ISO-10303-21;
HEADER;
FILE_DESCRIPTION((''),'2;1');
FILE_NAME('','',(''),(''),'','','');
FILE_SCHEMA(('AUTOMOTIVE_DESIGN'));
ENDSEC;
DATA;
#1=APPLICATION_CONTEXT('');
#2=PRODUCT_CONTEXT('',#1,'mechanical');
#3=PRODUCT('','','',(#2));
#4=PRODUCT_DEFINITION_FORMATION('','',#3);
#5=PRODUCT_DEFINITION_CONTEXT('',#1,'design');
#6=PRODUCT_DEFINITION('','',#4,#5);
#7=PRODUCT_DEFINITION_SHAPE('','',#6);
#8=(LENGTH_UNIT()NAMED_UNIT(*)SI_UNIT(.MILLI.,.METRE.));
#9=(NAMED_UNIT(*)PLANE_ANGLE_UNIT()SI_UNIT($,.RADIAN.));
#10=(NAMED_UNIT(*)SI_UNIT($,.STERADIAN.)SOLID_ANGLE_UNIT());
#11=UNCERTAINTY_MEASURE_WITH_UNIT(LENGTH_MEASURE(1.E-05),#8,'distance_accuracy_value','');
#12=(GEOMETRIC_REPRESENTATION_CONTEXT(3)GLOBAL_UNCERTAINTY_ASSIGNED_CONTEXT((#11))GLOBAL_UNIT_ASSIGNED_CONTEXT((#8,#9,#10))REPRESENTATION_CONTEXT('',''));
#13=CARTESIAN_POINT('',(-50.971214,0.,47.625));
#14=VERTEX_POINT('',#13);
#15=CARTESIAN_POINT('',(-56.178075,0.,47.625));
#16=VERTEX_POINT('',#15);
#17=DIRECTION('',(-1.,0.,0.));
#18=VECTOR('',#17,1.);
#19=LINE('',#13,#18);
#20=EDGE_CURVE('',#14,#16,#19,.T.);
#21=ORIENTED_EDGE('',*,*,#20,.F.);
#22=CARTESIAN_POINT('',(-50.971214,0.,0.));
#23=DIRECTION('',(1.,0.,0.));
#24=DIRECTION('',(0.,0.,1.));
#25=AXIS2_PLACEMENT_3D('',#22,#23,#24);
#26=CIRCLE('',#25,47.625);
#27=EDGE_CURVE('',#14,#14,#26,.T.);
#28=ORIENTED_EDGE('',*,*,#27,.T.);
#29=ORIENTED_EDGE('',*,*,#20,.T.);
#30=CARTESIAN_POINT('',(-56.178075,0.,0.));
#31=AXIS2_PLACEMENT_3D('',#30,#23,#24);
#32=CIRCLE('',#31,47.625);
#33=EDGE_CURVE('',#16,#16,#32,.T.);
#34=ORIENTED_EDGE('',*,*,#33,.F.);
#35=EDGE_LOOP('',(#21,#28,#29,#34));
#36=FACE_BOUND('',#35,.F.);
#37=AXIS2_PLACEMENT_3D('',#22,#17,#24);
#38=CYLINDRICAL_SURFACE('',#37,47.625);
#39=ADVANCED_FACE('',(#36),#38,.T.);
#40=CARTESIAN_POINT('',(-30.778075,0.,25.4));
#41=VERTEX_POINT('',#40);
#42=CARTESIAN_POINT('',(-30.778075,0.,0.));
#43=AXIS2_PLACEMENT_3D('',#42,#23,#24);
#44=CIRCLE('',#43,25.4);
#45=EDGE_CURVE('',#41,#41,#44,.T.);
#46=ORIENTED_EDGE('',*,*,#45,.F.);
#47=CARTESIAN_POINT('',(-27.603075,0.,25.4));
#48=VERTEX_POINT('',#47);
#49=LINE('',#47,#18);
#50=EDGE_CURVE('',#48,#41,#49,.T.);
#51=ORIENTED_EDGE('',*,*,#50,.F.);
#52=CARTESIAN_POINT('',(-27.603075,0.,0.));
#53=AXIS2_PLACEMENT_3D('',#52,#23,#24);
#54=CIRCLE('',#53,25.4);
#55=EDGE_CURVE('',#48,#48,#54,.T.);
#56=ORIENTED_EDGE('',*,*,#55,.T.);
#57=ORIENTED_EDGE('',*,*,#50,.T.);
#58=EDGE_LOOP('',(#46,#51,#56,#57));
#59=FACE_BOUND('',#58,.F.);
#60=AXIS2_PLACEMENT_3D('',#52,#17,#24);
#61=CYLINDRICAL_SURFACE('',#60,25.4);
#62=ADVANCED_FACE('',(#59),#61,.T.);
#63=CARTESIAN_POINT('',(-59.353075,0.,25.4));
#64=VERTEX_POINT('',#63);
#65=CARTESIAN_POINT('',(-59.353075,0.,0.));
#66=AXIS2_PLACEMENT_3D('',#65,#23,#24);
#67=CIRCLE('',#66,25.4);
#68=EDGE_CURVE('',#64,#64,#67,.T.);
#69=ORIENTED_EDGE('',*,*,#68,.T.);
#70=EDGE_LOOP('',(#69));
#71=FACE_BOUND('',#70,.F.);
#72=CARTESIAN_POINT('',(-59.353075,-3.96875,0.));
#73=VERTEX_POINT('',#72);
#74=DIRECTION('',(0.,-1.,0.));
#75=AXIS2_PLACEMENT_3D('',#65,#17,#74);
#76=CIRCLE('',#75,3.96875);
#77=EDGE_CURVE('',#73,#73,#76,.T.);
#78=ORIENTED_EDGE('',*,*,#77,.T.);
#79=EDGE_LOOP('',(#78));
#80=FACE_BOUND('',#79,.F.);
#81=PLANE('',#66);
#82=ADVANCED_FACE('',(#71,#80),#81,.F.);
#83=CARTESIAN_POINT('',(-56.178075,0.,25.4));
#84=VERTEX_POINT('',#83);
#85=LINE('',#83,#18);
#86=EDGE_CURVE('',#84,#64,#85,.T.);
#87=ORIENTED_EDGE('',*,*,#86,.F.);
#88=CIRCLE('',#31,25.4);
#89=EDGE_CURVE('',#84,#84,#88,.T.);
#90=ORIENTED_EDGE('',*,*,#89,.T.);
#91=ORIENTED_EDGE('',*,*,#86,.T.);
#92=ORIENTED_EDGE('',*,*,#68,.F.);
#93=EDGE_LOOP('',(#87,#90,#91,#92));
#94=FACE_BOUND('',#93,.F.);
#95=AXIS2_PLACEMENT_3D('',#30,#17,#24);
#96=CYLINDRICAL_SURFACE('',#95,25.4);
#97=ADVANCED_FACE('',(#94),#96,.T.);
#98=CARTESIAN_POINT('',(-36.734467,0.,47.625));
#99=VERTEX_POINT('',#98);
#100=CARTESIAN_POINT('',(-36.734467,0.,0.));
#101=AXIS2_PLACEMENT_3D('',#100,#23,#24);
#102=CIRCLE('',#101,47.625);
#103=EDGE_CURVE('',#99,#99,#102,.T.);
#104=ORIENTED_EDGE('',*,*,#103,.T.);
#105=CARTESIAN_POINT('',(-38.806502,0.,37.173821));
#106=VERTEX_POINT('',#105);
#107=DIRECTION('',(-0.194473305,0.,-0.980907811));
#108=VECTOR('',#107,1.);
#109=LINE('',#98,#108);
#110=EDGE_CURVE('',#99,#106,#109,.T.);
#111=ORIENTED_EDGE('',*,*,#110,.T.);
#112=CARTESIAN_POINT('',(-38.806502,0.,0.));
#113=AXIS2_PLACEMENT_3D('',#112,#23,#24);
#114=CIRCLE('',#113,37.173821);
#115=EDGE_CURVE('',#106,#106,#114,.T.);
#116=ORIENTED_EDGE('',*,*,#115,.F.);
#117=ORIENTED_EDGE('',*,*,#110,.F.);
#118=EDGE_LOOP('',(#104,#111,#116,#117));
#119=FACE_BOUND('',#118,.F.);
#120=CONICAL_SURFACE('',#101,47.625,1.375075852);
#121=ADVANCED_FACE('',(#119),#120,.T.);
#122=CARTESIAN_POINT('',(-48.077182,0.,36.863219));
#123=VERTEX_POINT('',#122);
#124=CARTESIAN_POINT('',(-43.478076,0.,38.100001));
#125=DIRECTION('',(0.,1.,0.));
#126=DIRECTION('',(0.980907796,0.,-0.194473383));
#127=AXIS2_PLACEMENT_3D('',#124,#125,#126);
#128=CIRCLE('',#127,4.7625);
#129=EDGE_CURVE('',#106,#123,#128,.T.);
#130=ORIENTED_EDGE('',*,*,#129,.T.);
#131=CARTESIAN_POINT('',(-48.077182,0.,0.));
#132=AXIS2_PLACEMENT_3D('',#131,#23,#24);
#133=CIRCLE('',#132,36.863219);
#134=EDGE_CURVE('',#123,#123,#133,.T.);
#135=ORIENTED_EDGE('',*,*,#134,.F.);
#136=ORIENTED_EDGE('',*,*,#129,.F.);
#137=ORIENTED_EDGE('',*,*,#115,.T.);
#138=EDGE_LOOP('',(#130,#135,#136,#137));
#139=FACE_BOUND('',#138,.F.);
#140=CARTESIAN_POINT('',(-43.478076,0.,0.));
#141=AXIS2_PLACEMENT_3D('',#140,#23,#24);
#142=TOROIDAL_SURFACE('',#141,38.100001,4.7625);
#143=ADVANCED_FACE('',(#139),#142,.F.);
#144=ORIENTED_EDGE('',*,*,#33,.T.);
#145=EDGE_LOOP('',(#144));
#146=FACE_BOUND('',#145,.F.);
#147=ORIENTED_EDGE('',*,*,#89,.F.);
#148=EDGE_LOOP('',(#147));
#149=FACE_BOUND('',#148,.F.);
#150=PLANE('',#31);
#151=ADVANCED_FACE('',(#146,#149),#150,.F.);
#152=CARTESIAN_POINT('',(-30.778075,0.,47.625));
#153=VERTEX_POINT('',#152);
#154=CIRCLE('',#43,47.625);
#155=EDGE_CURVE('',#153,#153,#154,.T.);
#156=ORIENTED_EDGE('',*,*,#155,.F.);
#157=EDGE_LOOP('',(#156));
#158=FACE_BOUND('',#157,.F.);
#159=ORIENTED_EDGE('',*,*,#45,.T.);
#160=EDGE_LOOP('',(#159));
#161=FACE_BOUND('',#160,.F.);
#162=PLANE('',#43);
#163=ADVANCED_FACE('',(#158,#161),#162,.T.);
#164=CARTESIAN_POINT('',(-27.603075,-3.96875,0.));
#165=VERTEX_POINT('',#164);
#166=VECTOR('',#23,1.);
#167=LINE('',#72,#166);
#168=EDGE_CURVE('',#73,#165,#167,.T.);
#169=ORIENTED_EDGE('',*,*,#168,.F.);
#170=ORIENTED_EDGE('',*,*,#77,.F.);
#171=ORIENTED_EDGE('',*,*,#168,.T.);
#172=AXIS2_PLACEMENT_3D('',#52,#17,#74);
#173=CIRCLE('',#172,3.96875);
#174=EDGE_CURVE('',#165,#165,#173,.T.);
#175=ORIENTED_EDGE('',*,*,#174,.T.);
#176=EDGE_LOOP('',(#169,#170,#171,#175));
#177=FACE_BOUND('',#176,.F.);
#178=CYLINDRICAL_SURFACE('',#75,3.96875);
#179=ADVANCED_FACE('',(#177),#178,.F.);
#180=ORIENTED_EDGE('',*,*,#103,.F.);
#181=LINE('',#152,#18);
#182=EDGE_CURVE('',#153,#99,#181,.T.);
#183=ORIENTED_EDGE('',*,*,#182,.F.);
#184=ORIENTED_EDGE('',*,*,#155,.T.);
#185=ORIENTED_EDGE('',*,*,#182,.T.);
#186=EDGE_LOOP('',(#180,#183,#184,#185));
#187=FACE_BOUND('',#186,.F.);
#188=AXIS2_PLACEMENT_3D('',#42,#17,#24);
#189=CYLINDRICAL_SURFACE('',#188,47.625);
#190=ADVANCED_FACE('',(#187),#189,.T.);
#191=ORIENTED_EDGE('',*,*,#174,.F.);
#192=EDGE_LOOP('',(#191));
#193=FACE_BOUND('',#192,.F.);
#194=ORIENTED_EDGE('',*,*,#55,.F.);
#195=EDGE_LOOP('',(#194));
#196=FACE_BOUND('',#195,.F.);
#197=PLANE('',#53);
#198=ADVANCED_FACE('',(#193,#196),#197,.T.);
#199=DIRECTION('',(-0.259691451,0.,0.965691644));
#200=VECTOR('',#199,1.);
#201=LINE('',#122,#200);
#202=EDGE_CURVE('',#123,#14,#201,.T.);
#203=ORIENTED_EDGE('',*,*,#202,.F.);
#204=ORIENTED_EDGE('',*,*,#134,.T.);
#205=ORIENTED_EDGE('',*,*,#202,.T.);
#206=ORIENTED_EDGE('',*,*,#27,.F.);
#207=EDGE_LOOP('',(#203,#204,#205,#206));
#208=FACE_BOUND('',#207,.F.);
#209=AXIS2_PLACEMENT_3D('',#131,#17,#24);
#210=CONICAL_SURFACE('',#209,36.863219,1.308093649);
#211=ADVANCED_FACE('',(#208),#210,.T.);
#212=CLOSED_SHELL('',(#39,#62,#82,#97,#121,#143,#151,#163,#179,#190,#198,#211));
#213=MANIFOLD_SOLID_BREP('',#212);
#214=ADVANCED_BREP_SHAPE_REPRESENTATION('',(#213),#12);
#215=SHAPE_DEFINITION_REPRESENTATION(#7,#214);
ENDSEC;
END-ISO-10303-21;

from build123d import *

# Parameters (mm, degrees)
F2_R     = 3.96875
F3_DEPTH = 31.751


with BuildPart() as f1:
    # F0 (on Front) → F1 (revolve)
    with BuildSketch(Plane.XZ):
        with BuildLine():
            Line((-59.353075, 25.4), (-59.353075, 0))
            Line((-59.353075, 0), (-27.603075, 0))
            Line((-27.603075, 0), (-27.603075, 25.4))
            Line((-27.603075, 25.4), (-30.778075, 25.4))
            Line((-30.778075, 25.4), (-30.778075, 47.625))
            Line((-30.778075, 47.625), (-36.734467, 47.625))
            Line((-36.734467, 47.625), (-38.806502, 37.173821))
            ThreePointArc((-38.806502, 37.173821), (-43.318604, 33.340171), (-48.077182, 36.863219))
            Line((-48.077182, 36.863219), (-50.971214, 47.625))
            Line((-50.971214, 47.625), (-56.178075, 47.625))
            Line((-56.178075, 47.625), (-56.178075, 25.4))
            Line((-56.178075, 25.4), (-59.353075, 25.4))
        make_face()
    revolve(axis=Axis((-43.478075, 0, 0), (1, 0, 0)))

    # F2 (on face) → F3 (cut, through all)
    with BuildSketch(Plane(origin=(-59.353075, 0, 0), x_dir=(0, -1, 0), z_dir=(-1, 0, 0))):
        Circle(F2_R)
    extrude(amount=-F3_DEPTH, mode=Mode.SUBTRACT)


solid = f1.part
